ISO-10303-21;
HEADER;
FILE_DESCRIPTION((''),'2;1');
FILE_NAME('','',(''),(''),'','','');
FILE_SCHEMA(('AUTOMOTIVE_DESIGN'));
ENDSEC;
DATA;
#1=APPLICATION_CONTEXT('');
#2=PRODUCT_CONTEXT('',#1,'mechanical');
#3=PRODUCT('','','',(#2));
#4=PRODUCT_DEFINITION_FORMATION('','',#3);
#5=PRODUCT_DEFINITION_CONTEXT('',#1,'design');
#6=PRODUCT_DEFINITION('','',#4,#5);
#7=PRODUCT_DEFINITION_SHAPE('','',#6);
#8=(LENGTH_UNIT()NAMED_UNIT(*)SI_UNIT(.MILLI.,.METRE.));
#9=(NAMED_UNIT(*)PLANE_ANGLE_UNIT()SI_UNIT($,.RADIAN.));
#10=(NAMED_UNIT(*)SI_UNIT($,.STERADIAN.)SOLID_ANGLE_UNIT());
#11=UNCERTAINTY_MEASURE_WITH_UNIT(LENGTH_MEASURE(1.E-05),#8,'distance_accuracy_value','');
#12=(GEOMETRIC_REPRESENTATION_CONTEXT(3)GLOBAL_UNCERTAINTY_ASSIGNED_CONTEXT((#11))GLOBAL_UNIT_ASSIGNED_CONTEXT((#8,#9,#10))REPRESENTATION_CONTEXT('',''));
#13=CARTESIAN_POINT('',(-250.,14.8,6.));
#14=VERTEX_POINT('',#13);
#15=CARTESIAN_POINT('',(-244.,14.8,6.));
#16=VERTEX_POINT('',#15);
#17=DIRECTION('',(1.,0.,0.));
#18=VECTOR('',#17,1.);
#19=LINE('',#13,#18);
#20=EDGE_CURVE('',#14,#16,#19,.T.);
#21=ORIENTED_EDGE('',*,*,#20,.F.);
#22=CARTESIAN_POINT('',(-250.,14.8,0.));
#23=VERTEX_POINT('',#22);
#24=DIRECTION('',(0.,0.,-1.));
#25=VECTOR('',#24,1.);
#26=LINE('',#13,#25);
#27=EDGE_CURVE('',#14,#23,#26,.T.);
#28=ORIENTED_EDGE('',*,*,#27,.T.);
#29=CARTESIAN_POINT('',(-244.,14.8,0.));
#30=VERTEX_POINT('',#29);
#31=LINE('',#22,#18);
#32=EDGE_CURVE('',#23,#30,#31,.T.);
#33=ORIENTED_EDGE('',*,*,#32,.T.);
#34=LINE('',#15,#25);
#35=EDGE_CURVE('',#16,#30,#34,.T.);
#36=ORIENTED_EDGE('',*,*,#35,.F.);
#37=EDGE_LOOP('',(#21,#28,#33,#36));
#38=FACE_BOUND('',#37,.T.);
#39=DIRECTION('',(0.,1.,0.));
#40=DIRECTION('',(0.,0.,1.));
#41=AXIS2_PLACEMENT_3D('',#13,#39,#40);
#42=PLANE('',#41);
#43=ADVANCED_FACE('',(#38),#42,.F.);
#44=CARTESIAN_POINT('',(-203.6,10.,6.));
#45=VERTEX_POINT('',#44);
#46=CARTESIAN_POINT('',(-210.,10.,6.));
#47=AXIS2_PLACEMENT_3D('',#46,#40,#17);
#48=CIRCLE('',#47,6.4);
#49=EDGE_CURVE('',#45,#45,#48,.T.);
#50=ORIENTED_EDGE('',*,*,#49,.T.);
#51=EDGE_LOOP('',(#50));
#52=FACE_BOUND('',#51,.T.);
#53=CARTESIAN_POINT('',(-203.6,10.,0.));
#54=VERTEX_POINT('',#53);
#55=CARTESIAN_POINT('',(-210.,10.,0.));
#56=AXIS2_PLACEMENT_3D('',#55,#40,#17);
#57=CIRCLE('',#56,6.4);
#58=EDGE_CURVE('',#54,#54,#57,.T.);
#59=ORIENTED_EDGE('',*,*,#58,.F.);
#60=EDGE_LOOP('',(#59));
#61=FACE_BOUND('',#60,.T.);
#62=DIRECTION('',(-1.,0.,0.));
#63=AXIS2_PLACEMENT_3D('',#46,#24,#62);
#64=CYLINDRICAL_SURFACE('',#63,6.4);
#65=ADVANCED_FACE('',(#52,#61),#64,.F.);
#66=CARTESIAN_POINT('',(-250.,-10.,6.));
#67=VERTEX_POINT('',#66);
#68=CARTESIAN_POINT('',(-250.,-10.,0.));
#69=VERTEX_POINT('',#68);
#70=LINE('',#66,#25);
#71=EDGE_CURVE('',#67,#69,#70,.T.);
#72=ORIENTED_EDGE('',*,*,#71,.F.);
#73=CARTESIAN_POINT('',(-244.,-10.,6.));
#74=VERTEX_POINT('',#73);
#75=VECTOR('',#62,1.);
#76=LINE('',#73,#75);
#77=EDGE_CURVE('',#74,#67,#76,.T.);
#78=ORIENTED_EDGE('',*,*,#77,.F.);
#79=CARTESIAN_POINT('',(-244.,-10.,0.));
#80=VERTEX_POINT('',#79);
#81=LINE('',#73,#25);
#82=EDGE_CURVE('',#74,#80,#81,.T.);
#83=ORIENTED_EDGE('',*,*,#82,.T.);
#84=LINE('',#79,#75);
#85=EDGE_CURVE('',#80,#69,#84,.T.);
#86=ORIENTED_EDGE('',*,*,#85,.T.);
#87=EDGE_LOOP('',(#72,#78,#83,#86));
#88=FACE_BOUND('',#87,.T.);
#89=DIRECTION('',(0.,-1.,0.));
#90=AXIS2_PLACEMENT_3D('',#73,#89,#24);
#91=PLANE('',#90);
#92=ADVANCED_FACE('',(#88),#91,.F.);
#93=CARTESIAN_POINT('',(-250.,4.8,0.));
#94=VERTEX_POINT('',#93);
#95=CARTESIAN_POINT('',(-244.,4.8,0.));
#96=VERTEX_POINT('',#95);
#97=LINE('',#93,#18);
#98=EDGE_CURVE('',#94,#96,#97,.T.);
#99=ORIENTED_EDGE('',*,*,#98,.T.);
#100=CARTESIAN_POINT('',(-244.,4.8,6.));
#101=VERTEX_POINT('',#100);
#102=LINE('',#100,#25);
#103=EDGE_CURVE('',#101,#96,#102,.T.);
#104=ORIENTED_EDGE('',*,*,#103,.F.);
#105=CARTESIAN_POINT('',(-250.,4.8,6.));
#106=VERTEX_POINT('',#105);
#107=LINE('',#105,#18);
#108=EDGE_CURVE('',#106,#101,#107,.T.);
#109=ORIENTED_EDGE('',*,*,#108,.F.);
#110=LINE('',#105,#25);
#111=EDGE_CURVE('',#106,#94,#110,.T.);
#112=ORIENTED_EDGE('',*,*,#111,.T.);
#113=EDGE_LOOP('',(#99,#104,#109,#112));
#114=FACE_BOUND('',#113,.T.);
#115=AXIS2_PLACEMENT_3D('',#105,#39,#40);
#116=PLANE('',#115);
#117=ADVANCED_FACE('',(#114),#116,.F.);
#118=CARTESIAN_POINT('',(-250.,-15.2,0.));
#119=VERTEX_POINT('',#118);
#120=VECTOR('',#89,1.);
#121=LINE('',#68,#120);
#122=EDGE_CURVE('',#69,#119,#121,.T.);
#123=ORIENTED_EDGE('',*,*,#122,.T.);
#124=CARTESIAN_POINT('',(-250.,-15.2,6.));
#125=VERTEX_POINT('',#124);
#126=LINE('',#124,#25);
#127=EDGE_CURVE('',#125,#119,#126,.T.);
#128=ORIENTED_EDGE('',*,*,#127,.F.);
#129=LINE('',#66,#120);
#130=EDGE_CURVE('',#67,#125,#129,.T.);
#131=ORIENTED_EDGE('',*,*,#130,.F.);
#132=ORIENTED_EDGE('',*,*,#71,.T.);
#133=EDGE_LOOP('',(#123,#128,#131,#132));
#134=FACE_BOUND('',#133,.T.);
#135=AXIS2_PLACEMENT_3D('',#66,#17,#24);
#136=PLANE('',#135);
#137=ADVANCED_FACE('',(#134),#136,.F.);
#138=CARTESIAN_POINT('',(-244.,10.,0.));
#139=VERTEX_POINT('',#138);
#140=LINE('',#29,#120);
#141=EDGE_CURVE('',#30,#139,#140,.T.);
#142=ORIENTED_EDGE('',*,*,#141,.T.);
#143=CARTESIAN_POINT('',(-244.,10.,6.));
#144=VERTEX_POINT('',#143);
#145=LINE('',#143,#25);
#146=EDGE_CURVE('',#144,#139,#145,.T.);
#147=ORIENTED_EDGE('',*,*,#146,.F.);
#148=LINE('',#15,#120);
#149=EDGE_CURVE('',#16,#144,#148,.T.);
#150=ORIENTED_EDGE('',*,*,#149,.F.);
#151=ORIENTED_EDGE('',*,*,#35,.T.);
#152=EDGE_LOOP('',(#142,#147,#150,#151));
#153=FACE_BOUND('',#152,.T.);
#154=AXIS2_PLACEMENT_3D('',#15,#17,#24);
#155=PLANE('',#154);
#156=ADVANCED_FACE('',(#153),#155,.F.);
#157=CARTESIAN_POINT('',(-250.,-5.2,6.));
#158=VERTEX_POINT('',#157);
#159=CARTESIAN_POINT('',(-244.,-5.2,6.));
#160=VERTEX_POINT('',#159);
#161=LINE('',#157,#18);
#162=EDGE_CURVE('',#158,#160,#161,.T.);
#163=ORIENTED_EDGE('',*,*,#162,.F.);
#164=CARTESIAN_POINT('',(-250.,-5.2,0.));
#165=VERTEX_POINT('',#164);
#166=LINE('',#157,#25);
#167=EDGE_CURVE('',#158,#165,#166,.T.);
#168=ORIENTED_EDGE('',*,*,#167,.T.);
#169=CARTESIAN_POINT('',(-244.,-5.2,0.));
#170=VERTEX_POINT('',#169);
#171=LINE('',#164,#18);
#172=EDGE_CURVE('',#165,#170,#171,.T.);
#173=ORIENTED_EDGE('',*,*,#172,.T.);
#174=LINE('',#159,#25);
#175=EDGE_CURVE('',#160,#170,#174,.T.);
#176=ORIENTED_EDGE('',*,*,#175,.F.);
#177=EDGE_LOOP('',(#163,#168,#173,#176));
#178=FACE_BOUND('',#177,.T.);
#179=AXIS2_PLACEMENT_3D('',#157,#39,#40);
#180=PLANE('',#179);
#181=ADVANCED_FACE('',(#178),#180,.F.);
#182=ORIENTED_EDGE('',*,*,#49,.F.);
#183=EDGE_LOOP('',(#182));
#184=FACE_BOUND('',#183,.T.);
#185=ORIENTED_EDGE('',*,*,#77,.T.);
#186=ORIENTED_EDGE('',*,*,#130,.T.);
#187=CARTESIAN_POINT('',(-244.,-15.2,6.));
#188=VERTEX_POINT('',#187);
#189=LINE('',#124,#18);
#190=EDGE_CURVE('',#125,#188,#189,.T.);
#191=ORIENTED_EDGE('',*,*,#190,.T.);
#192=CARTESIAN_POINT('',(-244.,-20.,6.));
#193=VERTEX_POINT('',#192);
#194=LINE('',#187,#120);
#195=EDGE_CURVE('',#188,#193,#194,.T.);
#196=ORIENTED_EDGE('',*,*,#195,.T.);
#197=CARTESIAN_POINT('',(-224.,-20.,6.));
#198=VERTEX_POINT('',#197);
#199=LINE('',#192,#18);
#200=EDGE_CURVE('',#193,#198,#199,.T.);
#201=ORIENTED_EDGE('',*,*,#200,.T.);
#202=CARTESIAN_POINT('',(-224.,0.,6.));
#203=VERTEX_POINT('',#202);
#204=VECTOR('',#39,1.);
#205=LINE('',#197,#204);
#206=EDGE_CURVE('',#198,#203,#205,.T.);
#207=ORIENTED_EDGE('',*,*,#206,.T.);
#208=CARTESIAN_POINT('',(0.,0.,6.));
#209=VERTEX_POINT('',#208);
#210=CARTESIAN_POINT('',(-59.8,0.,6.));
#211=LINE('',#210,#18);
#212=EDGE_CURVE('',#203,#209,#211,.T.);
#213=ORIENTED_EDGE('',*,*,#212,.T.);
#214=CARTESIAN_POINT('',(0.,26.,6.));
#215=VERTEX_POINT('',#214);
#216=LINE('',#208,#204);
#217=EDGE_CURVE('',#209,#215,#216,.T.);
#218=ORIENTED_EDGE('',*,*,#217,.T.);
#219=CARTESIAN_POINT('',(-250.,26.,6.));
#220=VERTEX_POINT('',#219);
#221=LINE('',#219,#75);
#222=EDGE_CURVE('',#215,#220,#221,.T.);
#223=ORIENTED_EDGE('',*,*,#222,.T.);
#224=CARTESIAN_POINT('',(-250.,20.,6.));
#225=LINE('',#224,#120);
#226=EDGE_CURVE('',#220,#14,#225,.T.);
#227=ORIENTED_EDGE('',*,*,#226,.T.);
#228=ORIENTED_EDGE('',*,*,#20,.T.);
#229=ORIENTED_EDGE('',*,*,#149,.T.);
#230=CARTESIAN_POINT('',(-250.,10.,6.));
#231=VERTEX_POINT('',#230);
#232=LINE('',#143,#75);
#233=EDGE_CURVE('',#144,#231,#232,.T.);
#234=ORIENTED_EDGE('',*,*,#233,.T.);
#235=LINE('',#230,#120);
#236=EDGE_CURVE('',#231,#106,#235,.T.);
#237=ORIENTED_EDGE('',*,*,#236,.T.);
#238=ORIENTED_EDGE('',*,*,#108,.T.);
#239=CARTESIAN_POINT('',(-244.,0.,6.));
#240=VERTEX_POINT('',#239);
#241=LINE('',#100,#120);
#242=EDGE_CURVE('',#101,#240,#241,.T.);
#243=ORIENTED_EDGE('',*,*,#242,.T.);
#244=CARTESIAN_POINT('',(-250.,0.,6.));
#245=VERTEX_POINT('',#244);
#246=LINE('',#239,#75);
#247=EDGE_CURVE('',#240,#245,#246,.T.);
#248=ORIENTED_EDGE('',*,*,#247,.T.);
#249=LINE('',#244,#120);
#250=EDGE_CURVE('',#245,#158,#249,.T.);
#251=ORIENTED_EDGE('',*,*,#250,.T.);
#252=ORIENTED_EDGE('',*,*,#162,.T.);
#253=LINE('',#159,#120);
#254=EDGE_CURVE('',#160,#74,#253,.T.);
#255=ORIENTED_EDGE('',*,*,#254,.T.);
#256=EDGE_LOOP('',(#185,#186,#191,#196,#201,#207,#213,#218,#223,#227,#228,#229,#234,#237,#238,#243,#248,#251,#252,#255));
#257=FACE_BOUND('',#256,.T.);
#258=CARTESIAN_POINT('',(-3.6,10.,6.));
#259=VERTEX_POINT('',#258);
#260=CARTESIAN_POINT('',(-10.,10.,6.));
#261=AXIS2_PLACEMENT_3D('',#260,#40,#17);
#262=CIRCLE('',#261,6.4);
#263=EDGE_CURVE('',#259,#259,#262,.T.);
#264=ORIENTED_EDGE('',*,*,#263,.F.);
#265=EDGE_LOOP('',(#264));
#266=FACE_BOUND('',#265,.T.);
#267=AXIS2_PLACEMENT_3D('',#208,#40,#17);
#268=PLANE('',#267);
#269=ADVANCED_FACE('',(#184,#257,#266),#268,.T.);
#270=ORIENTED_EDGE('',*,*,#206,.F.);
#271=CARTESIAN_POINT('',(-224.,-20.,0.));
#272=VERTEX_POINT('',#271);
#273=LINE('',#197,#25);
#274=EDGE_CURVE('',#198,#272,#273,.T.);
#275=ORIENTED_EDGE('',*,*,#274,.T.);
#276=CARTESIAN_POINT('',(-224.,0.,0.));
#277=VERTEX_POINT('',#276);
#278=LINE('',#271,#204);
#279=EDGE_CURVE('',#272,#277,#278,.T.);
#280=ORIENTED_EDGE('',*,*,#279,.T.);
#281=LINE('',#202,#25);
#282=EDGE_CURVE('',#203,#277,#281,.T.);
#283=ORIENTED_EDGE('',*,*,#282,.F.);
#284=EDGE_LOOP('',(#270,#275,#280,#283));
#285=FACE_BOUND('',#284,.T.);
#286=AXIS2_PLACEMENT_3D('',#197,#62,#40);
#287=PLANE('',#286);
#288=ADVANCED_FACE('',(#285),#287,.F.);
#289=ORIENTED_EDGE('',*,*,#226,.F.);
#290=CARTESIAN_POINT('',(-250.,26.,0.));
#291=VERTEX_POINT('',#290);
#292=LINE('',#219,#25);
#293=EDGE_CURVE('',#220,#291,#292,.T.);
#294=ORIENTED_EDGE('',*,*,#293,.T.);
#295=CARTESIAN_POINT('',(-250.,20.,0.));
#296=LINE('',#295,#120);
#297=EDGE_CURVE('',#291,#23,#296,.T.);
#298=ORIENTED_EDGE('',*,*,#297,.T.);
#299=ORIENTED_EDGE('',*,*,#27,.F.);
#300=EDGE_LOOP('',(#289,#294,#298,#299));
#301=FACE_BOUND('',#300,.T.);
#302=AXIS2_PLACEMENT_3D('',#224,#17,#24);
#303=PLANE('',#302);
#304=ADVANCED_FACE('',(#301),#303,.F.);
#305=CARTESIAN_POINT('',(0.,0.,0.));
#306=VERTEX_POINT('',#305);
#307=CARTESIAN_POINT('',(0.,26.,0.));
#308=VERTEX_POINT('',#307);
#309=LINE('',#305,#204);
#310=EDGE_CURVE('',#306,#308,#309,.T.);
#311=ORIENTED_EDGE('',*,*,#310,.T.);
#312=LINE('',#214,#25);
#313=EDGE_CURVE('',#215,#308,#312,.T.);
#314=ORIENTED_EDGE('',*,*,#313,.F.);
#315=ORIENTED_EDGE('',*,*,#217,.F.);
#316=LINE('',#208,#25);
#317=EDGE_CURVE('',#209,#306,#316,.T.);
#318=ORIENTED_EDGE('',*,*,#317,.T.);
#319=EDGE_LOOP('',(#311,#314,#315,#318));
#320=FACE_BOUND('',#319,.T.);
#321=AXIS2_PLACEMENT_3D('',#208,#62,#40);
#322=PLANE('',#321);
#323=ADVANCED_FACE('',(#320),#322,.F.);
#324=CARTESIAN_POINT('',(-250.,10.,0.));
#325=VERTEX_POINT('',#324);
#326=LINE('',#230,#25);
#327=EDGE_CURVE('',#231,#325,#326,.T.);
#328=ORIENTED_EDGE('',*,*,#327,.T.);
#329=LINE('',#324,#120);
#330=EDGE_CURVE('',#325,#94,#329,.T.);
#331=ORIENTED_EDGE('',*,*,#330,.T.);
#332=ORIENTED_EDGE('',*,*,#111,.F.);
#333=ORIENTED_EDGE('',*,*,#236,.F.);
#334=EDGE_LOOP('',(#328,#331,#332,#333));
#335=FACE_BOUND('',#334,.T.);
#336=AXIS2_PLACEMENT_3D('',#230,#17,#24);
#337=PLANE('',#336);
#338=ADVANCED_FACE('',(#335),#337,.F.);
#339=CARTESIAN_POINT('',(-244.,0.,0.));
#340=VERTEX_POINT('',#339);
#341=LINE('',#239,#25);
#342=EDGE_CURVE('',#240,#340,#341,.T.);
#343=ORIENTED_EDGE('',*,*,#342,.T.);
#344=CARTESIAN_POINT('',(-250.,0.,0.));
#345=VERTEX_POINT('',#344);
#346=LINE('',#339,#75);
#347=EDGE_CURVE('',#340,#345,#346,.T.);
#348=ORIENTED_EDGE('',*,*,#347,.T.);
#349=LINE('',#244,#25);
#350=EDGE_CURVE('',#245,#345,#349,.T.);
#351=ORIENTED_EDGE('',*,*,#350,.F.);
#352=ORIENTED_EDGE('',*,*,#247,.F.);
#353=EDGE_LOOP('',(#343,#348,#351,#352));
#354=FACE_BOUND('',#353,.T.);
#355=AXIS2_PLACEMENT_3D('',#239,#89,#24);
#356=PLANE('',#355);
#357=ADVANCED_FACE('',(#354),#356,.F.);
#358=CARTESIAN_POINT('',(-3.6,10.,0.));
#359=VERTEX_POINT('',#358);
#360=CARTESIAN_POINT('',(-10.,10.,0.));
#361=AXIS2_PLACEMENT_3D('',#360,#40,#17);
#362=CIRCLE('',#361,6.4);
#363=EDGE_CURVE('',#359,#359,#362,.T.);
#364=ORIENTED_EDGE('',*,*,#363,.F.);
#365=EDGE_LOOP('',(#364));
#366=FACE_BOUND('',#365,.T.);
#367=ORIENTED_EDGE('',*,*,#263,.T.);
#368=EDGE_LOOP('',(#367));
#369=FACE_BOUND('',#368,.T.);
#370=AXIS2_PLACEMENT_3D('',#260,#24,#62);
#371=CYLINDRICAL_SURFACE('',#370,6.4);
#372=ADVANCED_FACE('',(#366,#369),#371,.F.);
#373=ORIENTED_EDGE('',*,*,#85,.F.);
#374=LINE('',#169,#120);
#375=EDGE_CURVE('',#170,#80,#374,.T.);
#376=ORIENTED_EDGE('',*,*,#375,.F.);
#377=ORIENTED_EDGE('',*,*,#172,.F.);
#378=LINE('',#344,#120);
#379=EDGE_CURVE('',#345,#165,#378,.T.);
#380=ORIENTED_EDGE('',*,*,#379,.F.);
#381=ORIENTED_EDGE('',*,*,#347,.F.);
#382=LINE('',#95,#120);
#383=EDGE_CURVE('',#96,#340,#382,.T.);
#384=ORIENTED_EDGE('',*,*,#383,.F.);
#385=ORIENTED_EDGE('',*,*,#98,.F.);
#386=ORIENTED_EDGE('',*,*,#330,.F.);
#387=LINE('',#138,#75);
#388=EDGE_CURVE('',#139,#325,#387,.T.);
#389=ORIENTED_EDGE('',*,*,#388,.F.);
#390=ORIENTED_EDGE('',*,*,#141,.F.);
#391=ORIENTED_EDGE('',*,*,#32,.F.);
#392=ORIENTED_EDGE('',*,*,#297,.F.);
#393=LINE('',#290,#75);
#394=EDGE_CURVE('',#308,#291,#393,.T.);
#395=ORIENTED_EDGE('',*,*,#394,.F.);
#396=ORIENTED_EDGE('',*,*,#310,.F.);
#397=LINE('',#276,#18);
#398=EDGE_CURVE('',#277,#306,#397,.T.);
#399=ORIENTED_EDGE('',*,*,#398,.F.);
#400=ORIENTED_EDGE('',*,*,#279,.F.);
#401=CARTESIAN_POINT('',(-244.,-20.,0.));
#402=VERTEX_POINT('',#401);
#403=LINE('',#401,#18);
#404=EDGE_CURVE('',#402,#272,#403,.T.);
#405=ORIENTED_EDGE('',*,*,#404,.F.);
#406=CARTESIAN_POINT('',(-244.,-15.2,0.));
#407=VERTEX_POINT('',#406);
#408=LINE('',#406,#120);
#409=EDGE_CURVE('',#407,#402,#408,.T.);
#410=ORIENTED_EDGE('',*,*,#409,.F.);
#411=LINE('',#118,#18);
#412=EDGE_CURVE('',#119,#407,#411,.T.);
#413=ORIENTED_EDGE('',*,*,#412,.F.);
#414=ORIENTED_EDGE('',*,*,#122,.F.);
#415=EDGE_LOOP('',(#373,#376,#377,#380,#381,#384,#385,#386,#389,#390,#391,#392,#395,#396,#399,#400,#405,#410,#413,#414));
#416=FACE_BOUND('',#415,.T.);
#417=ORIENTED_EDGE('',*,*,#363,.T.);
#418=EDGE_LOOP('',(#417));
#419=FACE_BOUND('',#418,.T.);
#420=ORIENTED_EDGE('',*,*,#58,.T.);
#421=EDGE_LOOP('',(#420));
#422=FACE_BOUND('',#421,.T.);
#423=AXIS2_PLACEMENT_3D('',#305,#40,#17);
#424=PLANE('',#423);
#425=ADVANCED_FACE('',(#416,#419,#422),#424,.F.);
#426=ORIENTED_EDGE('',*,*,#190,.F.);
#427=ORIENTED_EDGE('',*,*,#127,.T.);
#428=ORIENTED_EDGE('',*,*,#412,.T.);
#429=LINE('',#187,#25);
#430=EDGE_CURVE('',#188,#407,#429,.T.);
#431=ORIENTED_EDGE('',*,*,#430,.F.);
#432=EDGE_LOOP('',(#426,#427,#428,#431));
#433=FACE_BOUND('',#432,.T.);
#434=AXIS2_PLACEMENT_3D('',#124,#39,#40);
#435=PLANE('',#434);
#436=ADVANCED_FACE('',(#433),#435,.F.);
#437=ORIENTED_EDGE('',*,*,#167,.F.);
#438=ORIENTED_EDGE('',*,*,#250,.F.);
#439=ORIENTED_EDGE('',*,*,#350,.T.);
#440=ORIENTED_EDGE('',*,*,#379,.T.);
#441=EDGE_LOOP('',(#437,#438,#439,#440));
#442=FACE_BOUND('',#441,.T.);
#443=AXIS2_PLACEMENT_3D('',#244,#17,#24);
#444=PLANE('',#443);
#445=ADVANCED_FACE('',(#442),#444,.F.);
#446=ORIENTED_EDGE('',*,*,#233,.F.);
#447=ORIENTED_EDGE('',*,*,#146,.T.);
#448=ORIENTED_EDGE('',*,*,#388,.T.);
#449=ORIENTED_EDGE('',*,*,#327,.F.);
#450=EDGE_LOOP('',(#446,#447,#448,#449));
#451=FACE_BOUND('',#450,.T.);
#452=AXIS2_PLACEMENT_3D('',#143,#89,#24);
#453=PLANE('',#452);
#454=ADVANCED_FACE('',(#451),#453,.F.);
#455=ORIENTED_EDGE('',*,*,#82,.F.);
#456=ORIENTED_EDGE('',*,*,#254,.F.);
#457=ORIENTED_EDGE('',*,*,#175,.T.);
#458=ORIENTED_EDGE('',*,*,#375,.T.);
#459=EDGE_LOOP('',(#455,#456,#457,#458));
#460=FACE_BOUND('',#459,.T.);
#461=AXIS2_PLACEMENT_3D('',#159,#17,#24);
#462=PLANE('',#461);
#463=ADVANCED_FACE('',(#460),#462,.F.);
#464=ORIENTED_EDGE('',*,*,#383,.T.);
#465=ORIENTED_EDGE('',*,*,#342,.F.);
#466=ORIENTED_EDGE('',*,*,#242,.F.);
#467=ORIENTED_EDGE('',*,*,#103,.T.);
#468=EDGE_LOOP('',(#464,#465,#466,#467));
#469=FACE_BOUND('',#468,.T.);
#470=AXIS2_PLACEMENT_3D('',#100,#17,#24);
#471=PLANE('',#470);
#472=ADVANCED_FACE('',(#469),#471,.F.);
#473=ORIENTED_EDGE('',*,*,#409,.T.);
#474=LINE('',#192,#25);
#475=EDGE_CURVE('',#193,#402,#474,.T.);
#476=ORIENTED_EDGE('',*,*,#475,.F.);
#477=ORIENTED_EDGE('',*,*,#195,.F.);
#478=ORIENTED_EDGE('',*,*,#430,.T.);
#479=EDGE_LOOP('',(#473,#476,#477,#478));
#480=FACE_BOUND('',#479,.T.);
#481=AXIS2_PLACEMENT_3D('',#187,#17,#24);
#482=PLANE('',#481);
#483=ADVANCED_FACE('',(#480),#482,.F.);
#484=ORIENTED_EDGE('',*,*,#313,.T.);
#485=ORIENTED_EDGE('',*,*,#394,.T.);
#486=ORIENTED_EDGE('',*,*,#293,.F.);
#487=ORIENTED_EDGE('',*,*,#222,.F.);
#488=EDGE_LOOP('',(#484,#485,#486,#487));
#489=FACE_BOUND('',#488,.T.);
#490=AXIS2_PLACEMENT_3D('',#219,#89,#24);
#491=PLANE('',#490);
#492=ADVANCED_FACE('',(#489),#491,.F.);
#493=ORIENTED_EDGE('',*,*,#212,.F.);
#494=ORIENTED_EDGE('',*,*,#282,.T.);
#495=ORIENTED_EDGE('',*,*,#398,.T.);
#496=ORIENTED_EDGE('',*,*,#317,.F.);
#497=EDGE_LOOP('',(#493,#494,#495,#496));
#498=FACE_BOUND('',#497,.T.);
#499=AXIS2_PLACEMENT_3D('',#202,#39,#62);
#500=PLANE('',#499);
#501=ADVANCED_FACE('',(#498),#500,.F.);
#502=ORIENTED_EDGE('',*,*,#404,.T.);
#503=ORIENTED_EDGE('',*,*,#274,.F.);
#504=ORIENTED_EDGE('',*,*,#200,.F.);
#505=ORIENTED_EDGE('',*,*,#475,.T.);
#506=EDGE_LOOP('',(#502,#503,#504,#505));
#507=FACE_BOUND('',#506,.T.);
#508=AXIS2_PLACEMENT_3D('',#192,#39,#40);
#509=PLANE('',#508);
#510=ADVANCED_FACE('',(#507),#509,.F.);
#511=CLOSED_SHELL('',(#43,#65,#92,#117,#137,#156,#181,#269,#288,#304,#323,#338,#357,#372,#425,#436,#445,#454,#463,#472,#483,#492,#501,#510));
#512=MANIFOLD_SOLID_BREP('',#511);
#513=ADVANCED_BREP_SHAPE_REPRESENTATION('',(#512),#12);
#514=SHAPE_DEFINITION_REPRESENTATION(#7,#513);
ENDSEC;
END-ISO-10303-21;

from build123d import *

# Parameters (mm, degrees)
ESQUISSE1_R        = 6.4
BOSS_EXTRU_1_DEPTH = 6


with BuildPart() as part:
    # Esquisse1 → Boss.-Extru.1 (new body)
    with BuildSketch(Plane.XY):
        Polygon((0, 0), (0, 26), (-250, 26), (-250, 20), (-250, 14.8), (-244, 14.8), (-244, 10), (-250, 10), (-250, 4.8), (-244, 4.8), (-244, 0), (-250, 0), (-250, -5.2), (-244, -5.2), (-244, -10), (-250, -10), (-250, -15.2), (-244, -15.2), (-244, -20), (-224, -20), (-224, 0), (-59.8, 0), align=None)
        with Locations((-210, 10)):
            Circle(ESQUISSE1_R, mode=Mode.SUBTRACT)
        with Locations((-10, 10)):
            Circle(ESQUISSE1_R, mode=Mode.SUBTRACT)
    extrude(amount=BOSS_EXTRU_1_DEPTH)


solid = part.part
